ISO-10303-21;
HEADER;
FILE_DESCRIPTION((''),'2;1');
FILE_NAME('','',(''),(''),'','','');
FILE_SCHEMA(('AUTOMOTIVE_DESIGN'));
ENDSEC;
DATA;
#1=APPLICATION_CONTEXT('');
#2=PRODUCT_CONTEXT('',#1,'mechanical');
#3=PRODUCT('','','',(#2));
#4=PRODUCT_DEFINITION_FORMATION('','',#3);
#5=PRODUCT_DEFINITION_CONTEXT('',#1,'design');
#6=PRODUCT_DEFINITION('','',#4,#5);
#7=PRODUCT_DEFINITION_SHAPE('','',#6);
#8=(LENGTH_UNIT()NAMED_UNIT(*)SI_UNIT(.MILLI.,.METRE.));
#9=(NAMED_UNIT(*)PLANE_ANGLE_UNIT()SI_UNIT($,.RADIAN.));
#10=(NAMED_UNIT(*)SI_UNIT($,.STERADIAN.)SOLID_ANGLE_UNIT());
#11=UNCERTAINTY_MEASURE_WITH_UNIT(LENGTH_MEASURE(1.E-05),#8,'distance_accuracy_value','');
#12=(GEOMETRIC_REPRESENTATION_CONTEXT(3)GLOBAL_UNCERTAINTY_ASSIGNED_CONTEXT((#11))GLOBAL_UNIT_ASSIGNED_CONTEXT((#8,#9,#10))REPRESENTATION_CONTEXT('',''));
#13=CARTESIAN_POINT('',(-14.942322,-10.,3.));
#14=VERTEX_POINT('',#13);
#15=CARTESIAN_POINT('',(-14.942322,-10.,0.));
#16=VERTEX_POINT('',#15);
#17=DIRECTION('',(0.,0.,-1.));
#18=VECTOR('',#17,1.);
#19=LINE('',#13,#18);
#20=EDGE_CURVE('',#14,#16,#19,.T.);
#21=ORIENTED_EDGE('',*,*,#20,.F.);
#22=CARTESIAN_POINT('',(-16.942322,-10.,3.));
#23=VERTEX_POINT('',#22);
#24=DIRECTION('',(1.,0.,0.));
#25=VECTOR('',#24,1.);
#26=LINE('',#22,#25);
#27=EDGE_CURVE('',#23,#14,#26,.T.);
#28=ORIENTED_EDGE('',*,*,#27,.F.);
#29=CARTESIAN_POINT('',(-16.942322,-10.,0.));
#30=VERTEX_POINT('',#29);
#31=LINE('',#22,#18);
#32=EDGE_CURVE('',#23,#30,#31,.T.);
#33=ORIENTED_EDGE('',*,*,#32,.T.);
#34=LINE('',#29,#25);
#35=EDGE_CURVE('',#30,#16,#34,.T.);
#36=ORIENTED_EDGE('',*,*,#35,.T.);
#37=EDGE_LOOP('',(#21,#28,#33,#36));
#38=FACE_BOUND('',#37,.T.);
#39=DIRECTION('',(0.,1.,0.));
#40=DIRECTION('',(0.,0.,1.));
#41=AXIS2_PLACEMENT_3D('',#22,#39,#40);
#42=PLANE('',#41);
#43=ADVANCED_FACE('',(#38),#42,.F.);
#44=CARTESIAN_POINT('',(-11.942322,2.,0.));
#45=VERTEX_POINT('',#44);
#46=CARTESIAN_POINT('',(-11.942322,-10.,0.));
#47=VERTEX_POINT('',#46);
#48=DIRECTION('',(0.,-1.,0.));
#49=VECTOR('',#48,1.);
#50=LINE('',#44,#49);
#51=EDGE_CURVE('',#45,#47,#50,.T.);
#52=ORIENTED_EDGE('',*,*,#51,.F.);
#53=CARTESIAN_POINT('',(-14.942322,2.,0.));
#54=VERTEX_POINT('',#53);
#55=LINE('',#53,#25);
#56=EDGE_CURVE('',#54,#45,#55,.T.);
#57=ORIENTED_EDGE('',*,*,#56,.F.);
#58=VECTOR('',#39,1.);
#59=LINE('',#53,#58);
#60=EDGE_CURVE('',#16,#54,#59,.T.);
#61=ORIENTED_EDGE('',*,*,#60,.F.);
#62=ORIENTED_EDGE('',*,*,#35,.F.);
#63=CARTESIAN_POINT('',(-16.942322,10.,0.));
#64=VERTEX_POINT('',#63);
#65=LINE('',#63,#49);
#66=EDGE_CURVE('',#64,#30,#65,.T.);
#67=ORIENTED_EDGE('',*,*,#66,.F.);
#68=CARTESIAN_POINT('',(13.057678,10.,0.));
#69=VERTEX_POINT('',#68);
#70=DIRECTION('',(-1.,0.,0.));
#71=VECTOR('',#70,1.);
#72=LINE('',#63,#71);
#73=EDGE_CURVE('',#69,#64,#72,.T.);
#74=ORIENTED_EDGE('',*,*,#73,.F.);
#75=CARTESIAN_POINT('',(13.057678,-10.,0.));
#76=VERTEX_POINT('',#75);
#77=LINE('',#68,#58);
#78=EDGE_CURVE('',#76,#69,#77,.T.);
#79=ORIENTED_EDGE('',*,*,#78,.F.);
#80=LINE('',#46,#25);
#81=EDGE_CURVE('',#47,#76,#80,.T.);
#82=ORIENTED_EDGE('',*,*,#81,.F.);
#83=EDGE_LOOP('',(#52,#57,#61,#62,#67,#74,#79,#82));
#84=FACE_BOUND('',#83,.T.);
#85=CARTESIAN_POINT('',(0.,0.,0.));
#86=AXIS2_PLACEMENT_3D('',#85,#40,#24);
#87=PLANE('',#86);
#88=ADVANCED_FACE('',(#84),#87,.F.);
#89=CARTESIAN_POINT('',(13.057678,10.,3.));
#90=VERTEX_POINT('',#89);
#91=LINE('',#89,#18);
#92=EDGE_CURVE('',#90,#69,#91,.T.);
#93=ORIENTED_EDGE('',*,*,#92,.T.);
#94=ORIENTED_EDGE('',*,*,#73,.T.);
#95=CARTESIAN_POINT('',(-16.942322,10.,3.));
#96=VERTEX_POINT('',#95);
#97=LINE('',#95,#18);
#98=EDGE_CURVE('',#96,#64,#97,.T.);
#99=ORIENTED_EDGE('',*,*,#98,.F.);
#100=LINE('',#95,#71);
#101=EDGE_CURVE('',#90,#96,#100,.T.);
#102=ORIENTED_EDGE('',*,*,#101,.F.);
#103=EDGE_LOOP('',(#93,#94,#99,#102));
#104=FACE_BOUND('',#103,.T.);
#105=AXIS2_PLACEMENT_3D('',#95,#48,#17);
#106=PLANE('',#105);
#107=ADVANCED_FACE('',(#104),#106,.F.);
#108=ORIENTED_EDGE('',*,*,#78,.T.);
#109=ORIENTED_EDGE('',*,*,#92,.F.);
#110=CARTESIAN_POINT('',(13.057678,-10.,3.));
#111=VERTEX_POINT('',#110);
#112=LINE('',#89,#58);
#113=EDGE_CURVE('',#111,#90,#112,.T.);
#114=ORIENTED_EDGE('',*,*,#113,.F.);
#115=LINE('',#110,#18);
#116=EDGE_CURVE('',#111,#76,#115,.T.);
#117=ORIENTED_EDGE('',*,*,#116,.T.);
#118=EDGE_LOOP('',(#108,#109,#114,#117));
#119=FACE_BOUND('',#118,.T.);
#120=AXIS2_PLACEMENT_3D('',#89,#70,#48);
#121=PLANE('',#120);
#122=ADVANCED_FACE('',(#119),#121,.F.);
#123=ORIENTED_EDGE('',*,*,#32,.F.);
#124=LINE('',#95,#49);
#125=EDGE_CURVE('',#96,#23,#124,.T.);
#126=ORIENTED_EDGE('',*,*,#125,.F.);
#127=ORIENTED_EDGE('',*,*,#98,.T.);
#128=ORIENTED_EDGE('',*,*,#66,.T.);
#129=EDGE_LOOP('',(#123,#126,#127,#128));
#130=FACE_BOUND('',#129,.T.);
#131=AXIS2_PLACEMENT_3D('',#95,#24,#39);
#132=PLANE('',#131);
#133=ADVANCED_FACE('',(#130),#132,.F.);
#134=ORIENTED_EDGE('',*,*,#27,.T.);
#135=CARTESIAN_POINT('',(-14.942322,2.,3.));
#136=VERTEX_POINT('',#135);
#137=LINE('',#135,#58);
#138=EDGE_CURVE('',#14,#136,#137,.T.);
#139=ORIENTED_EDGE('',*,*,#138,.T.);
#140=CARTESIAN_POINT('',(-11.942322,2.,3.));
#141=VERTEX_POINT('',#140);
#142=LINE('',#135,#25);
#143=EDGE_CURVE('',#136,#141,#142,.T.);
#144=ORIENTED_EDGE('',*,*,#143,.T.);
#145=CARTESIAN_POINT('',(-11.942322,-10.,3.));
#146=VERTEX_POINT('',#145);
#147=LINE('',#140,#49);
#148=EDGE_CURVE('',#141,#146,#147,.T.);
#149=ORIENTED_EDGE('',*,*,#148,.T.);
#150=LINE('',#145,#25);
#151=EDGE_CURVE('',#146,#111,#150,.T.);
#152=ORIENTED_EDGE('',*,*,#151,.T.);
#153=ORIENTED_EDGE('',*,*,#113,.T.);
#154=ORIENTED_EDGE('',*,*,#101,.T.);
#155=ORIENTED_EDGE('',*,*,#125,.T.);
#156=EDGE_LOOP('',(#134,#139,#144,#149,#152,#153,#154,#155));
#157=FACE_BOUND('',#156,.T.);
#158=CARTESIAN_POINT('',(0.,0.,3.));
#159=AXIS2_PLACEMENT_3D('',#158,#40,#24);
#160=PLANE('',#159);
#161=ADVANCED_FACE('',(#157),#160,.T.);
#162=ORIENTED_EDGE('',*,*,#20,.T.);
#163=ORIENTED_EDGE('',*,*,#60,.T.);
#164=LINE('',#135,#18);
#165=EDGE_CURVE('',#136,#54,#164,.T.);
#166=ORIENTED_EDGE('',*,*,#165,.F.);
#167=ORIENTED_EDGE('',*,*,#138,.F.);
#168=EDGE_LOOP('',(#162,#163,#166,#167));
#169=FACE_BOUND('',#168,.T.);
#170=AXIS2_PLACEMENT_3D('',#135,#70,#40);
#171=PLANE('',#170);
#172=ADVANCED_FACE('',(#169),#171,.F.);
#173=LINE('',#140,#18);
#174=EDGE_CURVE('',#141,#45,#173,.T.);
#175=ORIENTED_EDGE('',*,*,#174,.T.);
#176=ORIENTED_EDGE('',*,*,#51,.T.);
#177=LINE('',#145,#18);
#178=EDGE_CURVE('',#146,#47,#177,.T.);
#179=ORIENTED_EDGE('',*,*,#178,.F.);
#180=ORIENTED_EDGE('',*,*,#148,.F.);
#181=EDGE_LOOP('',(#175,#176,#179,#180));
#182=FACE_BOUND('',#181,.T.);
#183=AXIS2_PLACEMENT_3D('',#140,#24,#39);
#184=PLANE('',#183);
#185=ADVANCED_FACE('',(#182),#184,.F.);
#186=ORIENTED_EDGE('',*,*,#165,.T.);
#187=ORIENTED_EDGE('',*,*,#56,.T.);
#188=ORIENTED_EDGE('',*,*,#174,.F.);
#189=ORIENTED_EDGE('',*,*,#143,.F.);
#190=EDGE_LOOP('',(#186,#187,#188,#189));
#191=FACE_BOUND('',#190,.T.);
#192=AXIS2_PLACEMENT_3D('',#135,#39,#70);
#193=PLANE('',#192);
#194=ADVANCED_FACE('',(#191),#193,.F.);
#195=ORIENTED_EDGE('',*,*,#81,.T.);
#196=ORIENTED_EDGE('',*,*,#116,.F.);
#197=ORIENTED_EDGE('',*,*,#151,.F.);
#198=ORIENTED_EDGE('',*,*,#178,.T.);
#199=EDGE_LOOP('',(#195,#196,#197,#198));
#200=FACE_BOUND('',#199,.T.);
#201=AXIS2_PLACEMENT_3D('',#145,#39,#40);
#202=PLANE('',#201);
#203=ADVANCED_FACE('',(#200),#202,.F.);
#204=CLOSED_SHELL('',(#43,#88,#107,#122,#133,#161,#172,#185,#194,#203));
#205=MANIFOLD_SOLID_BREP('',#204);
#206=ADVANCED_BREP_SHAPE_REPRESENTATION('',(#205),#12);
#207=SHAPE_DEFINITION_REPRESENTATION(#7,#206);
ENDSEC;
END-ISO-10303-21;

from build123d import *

# Parameters (mm, degrees)
BOSS_EXTRUDE1_DEPTH = 3


with BuildPart() as part:
    # Sketch1 → Boss-Extrude1 (new body)
    with BuildSketch(Plane.XY):
        Polygon((-11.942322376, -10), (13.057677624, -10), (13.057677624, 10), (-16.942322376, 10), (-16.942322376, -10), (-14.942322376, -10), (-14.942322376, 2), (-11.942322376, 2), align=None)
    extrude(amount=BOSS_EXTRUDE1_DEPTH)


solid = part.part
